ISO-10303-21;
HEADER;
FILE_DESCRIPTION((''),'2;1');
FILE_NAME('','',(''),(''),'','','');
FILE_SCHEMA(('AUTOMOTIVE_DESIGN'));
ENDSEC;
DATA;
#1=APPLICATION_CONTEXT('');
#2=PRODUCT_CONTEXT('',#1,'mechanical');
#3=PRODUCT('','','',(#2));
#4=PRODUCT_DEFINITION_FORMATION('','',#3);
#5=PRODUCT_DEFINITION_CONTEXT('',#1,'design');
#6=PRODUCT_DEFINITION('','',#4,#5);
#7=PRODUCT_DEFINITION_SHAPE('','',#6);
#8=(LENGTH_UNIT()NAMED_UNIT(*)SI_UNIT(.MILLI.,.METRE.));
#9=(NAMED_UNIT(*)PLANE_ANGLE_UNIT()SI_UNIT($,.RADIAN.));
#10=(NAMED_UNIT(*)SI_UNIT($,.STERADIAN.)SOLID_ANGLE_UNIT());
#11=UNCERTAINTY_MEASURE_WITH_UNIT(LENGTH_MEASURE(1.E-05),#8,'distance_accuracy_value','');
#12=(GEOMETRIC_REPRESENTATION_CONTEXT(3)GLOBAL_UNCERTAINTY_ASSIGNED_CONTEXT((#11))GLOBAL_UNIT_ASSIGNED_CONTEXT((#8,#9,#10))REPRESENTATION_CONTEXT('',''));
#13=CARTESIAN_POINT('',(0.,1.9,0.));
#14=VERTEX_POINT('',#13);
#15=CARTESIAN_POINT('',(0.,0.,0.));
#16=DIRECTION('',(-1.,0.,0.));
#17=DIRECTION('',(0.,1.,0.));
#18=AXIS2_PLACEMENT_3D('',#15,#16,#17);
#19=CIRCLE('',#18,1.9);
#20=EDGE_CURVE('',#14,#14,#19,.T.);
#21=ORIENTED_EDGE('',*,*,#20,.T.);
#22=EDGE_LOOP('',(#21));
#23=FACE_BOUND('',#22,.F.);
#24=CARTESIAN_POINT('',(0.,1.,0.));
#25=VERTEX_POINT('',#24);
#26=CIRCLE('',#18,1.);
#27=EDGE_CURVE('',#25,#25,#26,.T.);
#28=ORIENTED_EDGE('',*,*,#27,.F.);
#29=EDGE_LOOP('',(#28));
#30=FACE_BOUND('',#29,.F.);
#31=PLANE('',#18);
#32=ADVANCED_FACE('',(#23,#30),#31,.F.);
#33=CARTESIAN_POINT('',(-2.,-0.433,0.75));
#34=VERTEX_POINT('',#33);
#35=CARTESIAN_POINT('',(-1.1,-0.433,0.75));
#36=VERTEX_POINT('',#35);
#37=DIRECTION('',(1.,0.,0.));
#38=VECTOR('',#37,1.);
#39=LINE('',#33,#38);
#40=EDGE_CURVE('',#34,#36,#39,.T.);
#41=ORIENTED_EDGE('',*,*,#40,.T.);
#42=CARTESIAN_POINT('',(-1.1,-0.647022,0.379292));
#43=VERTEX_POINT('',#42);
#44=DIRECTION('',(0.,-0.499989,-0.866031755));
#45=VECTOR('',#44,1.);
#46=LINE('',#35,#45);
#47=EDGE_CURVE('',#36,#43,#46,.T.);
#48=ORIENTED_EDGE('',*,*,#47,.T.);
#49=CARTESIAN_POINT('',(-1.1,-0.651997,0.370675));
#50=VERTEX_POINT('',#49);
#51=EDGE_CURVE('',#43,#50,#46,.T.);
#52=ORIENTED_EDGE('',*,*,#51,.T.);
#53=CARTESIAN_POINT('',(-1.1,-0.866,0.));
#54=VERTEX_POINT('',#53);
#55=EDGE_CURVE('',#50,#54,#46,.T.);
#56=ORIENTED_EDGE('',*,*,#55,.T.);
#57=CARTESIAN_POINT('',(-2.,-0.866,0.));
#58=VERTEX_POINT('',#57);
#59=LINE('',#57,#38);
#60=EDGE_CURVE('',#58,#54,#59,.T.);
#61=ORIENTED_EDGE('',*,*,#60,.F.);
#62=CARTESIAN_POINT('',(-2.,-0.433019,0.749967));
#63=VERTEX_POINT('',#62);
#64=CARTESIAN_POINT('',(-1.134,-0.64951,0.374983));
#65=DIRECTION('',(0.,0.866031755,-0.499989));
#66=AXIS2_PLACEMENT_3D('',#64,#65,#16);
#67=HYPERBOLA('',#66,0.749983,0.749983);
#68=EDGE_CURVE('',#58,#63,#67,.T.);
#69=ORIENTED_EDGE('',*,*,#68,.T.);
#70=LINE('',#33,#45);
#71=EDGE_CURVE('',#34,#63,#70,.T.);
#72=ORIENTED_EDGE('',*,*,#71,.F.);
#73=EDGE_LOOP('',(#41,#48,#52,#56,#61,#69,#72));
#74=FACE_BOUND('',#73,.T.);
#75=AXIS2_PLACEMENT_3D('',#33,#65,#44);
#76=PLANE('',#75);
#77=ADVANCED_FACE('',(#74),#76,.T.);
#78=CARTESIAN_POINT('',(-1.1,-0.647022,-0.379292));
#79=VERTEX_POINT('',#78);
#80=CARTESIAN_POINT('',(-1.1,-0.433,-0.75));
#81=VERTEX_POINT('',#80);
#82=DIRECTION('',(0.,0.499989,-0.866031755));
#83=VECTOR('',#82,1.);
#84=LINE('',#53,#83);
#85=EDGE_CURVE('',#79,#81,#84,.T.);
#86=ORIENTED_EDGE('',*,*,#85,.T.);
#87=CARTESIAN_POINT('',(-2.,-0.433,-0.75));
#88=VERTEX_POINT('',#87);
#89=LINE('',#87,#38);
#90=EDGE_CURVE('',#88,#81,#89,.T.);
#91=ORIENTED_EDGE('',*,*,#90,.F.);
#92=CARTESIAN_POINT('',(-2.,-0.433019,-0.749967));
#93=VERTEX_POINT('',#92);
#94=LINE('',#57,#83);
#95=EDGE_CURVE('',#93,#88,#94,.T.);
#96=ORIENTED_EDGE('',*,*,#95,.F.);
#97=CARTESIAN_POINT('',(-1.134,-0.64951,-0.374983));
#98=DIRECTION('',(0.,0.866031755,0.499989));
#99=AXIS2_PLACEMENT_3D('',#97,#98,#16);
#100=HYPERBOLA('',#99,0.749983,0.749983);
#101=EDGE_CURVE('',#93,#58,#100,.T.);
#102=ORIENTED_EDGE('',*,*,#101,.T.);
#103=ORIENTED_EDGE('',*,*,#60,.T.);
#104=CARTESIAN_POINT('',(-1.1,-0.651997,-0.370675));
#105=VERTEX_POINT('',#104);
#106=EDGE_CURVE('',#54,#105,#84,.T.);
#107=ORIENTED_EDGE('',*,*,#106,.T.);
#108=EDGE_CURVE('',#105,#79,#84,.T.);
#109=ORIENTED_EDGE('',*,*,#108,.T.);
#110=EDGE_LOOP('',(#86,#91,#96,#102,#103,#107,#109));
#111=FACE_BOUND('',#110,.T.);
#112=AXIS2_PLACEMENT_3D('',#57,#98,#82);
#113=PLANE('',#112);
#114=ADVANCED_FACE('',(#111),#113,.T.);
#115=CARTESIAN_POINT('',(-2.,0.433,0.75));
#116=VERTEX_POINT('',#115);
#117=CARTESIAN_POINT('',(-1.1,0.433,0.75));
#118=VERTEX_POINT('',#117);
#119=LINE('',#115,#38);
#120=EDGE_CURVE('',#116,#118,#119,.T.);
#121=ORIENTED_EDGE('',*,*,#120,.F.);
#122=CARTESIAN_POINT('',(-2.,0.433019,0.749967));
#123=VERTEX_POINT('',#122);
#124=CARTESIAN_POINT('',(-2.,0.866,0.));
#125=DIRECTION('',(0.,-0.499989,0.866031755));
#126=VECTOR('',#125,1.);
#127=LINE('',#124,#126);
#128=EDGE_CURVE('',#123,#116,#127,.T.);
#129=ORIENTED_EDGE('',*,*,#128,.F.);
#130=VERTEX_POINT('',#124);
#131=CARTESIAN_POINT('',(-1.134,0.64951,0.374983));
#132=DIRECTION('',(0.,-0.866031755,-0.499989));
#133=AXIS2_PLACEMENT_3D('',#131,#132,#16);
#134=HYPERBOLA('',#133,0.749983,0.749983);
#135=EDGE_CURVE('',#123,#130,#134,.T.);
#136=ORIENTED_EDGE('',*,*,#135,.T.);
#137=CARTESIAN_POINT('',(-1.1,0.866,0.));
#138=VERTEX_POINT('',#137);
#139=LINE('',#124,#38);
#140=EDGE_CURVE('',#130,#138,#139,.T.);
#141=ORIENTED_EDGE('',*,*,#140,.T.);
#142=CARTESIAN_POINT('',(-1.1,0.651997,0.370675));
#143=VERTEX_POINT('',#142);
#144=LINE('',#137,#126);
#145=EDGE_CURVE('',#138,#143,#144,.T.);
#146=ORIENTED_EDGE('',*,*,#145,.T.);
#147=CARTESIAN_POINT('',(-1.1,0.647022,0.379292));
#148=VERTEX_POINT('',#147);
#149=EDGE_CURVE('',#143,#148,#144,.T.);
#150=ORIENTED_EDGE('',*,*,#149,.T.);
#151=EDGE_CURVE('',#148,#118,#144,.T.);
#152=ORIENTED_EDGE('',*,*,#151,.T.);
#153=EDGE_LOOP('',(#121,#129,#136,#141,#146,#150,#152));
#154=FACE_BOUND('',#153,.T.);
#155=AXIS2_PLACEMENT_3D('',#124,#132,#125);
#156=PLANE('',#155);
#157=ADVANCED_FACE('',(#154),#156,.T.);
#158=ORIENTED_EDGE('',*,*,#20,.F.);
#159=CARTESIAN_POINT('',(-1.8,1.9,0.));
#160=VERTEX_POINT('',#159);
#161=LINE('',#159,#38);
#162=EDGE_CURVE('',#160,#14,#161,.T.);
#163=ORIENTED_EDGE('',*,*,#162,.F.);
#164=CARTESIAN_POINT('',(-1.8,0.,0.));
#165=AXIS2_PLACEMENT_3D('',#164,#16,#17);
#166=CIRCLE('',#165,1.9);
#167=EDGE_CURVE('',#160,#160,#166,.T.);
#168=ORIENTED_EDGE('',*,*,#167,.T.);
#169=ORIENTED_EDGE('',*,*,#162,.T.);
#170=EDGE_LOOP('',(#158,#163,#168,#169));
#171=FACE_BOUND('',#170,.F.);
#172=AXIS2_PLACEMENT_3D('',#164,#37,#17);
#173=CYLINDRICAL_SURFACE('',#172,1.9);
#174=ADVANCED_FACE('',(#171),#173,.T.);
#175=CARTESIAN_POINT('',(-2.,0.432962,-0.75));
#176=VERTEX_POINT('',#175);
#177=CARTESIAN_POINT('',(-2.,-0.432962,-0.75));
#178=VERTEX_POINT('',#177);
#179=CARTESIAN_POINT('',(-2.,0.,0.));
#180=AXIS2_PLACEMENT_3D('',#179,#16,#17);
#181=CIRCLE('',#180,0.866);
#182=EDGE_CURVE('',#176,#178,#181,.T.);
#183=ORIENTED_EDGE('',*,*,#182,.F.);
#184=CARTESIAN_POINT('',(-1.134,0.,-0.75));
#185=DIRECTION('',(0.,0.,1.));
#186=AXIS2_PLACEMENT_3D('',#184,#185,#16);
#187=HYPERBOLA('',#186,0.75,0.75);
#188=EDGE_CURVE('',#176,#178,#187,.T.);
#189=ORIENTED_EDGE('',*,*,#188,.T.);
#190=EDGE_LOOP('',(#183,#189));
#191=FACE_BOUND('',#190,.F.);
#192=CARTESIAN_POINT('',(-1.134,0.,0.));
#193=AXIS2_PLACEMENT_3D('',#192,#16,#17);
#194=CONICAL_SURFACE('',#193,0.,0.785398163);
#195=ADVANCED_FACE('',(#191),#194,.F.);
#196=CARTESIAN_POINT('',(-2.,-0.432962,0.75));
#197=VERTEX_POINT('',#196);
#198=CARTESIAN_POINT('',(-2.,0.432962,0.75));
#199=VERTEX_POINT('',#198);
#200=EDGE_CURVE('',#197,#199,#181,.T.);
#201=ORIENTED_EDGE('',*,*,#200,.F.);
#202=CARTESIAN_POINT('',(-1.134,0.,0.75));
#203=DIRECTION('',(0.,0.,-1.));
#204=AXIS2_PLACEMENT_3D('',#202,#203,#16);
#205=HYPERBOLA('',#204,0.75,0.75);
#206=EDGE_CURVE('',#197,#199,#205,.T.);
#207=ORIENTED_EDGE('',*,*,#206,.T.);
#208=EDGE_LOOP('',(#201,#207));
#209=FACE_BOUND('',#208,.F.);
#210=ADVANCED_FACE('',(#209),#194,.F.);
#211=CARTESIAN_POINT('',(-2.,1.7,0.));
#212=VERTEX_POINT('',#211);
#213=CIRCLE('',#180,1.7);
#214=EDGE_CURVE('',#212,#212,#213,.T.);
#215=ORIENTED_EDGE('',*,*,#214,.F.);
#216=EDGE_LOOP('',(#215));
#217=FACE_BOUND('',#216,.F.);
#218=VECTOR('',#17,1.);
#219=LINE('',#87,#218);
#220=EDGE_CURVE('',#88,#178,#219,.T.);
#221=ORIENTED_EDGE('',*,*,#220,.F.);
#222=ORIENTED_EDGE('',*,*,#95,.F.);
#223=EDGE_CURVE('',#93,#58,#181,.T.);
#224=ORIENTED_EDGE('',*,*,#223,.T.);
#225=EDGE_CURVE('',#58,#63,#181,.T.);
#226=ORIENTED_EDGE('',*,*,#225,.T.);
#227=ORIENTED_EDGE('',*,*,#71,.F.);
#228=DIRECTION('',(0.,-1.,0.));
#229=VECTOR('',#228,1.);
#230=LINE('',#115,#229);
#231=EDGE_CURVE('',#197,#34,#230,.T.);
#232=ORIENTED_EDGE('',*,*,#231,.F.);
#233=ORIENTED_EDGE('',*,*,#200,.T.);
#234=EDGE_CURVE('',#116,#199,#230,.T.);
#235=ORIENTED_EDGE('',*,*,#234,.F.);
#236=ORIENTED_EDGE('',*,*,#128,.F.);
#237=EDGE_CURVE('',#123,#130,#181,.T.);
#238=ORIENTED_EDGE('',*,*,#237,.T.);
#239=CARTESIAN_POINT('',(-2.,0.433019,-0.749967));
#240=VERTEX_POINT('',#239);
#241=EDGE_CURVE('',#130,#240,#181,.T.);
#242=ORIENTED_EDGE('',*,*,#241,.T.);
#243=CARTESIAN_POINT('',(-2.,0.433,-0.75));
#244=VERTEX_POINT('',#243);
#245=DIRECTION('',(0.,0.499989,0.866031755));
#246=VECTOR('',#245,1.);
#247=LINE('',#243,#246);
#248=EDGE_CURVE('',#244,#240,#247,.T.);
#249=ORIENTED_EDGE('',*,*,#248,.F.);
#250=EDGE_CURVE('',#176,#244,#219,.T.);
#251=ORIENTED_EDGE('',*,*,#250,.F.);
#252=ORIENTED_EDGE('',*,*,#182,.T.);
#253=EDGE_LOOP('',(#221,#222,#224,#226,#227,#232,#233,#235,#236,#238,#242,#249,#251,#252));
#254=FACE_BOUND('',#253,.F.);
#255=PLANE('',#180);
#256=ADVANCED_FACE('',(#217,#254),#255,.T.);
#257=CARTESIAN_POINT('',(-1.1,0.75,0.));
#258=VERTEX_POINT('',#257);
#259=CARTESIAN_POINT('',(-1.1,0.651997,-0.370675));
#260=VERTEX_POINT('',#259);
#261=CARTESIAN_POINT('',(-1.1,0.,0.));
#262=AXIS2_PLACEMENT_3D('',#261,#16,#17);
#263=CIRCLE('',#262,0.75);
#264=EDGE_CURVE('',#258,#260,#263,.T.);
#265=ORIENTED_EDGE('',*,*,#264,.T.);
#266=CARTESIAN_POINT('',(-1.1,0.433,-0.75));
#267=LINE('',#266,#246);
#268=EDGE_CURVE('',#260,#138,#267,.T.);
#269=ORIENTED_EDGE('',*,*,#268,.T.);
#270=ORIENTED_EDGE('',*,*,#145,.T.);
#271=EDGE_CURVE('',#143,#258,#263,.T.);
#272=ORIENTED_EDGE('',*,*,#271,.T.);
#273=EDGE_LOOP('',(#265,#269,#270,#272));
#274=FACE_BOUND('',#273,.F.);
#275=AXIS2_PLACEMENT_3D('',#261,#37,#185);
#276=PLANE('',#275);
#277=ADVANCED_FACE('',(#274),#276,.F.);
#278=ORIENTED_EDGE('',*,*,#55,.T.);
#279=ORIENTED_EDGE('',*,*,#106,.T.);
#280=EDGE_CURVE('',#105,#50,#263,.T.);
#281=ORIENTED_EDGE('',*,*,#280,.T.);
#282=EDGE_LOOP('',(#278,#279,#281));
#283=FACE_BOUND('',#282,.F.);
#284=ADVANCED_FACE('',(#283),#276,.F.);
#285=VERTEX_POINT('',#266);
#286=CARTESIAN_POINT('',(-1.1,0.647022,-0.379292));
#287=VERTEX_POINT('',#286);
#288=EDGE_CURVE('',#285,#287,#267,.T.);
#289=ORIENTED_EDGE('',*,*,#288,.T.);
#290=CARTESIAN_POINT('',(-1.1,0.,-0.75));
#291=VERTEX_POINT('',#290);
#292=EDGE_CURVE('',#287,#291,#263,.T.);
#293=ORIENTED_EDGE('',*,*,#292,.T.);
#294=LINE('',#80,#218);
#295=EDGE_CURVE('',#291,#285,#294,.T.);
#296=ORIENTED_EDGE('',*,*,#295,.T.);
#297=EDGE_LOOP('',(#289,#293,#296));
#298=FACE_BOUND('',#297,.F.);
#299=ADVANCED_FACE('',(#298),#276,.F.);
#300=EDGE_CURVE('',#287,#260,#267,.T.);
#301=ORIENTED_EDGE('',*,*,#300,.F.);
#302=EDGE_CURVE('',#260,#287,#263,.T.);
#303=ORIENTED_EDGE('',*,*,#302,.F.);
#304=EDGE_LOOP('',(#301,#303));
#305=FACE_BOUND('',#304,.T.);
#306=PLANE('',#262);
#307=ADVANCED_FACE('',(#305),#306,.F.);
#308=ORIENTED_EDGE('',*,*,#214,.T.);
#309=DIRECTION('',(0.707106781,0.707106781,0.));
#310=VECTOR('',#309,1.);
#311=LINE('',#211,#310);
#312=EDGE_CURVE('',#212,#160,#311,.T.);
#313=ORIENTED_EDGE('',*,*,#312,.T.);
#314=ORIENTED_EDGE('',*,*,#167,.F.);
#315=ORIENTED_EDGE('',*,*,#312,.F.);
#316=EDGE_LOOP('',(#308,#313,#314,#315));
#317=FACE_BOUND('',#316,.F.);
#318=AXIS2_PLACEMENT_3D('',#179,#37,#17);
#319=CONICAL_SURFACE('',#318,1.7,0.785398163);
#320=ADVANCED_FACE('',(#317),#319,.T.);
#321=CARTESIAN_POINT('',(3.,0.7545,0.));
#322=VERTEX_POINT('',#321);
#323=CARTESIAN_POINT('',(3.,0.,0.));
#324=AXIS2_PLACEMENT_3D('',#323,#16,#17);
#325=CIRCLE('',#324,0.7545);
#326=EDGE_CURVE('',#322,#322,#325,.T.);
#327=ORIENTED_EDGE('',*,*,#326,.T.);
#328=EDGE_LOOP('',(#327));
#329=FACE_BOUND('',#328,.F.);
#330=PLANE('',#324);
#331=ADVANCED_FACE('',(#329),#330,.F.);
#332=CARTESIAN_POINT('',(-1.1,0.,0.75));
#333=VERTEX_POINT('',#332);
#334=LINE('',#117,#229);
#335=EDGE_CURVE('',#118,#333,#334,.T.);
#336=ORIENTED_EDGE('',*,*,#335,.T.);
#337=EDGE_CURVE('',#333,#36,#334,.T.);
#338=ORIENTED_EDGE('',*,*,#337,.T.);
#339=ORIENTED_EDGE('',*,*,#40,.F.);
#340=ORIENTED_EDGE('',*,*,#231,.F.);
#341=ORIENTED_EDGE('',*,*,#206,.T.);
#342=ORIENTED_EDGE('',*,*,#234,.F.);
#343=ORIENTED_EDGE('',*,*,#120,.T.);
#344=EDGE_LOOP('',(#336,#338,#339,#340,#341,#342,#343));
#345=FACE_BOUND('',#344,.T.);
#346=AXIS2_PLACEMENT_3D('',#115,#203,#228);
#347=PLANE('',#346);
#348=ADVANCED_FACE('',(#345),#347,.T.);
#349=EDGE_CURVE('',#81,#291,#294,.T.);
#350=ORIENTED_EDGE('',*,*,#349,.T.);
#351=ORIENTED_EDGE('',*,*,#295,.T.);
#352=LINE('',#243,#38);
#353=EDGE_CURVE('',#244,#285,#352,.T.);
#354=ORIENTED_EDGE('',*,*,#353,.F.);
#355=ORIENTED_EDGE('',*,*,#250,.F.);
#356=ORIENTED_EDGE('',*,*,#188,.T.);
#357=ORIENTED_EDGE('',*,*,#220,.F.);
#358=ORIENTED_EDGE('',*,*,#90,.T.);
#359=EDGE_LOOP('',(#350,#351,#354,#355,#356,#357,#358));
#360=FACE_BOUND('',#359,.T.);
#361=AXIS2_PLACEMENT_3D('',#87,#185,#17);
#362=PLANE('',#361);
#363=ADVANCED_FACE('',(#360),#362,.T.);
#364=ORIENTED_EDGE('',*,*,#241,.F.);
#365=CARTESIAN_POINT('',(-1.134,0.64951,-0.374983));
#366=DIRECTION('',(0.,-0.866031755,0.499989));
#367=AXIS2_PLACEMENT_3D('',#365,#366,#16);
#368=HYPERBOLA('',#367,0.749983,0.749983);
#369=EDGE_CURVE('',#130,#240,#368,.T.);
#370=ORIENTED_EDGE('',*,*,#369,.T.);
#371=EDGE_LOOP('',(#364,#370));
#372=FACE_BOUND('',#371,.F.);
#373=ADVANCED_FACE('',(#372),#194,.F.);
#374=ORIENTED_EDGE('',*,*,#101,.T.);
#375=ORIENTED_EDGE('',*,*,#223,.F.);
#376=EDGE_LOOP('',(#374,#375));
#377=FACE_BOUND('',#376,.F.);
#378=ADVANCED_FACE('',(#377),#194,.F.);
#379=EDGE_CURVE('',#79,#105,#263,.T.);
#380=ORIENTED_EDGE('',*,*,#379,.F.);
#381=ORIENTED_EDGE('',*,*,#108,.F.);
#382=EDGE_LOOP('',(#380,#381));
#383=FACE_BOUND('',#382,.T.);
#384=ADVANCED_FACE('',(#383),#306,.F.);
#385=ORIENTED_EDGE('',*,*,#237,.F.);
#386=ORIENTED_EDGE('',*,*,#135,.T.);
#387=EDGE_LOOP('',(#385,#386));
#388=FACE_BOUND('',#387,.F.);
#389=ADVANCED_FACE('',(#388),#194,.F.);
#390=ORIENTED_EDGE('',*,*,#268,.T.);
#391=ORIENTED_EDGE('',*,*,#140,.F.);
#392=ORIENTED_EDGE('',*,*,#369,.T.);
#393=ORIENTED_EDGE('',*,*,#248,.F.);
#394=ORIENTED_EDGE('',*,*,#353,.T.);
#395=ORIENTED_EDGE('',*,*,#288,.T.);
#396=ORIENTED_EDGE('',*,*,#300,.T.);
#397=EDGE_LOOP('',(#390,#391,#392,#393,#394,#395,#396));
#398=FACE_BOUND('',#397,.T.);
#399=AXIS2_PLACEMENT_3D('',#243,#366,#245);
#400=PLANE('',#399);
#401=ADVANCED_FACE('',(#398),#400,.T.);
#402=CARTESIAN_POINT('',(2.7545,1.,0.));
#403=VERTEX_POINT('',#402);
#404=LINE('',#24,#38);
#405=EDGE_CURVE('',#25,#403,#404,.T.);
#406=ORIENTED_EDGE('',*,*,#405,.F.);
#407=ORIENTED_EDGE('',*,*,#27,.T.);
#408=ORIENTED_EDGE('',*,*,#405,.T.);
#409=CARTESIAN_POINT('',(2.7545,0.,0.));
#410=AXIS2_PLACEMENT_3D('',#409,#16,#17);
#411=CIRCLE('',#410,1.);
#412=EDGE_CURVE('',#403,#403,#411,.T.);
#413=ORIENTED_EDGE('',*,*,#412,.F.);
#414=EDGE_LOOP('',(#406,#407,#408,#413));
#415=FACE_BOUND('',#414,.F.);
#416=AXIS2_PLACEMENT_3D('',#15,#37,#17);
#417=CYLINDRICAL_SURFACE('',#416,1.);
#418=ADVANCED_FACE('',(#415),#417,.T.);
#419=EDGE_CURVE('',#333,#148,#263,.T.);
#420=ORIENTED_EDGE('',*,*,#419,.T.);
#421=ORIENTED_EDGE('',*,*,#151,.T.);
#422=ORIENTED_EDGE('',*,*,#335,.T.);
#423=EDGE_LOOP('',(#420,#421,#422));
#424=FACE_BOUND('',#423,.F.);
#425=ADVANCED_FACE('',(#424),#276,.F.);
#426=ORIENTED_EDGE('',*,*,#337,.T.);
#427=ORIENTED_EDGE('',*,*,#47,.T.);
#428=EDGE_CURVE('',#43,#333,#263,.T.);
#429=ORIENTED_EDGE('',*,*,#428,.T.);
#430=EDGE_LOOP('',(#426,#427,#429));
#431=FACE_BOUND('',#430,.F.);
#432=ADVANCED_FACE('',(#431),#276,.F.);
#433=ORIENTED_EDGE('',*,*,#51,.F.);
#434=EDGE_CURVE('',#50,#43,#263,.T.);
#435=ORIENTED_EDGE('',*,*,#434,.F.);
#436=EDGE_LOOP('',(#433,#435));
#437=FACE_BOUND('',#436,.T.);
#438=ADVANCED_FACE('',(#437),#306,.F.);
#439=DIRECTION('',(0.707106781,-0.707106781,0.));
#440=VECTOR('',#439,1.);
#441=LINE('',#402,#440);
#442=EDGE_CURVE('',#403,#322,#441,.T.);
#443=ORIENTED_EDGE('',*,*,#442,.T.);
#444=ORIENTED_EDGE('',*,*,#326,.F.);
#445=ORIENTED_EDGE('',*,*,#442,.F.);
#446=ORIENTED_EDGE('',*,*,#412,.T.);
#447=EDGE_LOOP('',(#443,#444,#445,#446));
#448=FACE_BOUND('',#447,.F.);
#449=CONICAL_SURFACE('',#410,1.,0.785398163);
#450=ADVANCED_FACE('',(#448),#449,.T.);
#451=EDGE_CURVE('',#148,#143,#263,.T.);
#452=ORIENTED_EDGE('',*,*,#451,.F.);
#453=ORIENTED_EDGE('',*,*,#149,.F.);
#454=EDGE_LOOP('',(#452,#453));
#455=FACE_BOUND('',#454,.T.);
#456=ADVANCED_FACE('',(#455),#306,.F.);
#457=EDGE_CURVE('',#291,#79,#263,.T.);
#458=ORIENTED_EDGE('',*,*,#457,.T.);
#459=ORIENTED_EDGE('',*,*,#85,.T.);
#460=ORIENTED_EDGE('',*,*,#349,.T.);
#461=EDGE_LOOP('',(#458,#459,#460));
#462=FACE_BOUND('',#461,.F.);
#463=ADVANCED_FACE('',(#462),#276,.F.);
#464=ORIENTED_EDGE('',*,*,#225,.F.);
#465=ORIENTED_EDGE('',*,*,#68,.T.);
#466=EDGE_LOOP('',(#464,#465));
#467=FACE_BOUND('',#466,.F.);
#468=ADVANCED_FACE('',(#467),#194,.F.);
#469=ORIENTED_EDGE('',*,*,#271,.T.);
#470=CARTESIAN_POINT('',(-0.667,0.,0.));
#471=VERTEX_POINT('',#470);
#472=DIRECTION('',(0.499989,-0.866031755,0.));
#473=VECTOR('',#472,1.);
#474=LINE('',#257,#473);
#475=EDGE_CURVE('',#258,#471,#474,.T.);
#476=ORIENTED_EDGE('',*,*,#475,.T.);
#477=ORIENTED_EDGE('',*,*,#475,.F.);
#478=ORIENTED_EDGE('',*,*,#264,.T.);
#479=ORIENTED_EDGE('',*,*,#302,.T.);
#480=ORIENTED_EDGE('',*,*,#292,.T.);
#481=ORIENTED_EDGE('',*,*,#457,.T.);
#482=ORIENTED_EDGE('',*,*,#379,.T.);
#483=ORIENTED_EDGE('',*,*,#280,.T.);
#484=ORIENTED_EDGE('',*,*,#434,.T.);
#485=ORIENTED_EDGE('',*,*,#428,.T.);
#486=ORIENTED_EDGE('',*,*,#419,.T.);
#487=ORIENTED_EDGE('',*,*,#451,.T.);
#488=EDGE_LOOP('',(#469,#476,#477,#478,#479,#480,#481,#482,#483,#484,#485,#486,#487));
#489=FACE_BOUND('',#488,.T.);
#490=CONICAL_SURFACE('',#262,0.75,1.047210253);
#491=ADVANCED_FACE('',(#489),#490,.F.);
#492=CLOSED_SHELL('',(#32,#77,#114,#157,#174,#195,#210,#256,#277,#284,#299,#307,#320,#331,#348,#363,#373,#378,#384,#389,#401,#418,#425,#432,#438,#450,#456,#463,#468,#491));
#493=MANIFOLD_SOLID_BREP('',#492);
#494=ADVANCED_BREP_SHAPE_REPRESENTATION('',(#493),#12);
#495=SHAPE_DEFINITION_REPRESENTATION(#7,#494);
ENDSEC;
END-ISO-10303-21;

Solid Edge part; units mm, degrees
sketch "Sketch1" plane through (0, 0, 0) normal (0, 0, 1) x (1, 0, 0)
  line L0 (-1.134, 0) -> (-2, 0.866)
  line L1 (-2, 0.866) -> (-2, 1.7)
  line L2 (-2, 1.7) -> (-1.8, 1.9)
  line L3 (-1.8, 1.9) -> (0, 1.9)
  line L4 (0, 1.9) -> (0, 1)
  line L5 (0, 1) -> (2.7545, 1)
  line L6 (2.7545, 1) -> (3, 0.7545)
  line L7 (3, 0.7545) -> (3, 0)
  line L8 (3, 0) -> (-1.134, 0)
revolve "RevolvedProtrusion1" add sketch "Sketch1" angle 360 about axis through (3, 0, 0) along (-1, 0, 0)
cosmetic_thread "Thread1" size "M2"
sketch "Sketch2" plane through (-2, 0, 0) normal (1, 0, 0) x (0, 1, 0)
  line L0 (-0.433, 0.75) -> (-0.866, 0)
  line L1 (-0.866, 0) -> (-0.433, -0.75)
  line L2 (-0.433, -0.75) -> (0.433, -0.75)
  line L3 (0.433, -0.75) -> (0.866, 0)
  line L4 (0.866, 0) -> (0.433, 0.75)
  line L5 (0.433, 0.75) -> (-0.433, 0.75)
extrude "ExtrudedCutout_1" cut sketch "Sketch2" along normal blind 0.9
sketch "Sketch3" plane through (0, 0, 0) normal (0, 0, 1) x (1, 0, 0)
  line L0 (-1.1, 0) -> (-1.1, 0.75)
  line L1 (-1.1, 0.75) -> (-0.667, 0)
  line L2 (-0.667, 0) -> (-1.1, 0)
revolve "RevolvedCutout1" cut sketch "Sketch3" angle 360 about axis through (-0.667, 0, 0) along (-1, 0, 0)
properties part number "SNSS-M2-3"
